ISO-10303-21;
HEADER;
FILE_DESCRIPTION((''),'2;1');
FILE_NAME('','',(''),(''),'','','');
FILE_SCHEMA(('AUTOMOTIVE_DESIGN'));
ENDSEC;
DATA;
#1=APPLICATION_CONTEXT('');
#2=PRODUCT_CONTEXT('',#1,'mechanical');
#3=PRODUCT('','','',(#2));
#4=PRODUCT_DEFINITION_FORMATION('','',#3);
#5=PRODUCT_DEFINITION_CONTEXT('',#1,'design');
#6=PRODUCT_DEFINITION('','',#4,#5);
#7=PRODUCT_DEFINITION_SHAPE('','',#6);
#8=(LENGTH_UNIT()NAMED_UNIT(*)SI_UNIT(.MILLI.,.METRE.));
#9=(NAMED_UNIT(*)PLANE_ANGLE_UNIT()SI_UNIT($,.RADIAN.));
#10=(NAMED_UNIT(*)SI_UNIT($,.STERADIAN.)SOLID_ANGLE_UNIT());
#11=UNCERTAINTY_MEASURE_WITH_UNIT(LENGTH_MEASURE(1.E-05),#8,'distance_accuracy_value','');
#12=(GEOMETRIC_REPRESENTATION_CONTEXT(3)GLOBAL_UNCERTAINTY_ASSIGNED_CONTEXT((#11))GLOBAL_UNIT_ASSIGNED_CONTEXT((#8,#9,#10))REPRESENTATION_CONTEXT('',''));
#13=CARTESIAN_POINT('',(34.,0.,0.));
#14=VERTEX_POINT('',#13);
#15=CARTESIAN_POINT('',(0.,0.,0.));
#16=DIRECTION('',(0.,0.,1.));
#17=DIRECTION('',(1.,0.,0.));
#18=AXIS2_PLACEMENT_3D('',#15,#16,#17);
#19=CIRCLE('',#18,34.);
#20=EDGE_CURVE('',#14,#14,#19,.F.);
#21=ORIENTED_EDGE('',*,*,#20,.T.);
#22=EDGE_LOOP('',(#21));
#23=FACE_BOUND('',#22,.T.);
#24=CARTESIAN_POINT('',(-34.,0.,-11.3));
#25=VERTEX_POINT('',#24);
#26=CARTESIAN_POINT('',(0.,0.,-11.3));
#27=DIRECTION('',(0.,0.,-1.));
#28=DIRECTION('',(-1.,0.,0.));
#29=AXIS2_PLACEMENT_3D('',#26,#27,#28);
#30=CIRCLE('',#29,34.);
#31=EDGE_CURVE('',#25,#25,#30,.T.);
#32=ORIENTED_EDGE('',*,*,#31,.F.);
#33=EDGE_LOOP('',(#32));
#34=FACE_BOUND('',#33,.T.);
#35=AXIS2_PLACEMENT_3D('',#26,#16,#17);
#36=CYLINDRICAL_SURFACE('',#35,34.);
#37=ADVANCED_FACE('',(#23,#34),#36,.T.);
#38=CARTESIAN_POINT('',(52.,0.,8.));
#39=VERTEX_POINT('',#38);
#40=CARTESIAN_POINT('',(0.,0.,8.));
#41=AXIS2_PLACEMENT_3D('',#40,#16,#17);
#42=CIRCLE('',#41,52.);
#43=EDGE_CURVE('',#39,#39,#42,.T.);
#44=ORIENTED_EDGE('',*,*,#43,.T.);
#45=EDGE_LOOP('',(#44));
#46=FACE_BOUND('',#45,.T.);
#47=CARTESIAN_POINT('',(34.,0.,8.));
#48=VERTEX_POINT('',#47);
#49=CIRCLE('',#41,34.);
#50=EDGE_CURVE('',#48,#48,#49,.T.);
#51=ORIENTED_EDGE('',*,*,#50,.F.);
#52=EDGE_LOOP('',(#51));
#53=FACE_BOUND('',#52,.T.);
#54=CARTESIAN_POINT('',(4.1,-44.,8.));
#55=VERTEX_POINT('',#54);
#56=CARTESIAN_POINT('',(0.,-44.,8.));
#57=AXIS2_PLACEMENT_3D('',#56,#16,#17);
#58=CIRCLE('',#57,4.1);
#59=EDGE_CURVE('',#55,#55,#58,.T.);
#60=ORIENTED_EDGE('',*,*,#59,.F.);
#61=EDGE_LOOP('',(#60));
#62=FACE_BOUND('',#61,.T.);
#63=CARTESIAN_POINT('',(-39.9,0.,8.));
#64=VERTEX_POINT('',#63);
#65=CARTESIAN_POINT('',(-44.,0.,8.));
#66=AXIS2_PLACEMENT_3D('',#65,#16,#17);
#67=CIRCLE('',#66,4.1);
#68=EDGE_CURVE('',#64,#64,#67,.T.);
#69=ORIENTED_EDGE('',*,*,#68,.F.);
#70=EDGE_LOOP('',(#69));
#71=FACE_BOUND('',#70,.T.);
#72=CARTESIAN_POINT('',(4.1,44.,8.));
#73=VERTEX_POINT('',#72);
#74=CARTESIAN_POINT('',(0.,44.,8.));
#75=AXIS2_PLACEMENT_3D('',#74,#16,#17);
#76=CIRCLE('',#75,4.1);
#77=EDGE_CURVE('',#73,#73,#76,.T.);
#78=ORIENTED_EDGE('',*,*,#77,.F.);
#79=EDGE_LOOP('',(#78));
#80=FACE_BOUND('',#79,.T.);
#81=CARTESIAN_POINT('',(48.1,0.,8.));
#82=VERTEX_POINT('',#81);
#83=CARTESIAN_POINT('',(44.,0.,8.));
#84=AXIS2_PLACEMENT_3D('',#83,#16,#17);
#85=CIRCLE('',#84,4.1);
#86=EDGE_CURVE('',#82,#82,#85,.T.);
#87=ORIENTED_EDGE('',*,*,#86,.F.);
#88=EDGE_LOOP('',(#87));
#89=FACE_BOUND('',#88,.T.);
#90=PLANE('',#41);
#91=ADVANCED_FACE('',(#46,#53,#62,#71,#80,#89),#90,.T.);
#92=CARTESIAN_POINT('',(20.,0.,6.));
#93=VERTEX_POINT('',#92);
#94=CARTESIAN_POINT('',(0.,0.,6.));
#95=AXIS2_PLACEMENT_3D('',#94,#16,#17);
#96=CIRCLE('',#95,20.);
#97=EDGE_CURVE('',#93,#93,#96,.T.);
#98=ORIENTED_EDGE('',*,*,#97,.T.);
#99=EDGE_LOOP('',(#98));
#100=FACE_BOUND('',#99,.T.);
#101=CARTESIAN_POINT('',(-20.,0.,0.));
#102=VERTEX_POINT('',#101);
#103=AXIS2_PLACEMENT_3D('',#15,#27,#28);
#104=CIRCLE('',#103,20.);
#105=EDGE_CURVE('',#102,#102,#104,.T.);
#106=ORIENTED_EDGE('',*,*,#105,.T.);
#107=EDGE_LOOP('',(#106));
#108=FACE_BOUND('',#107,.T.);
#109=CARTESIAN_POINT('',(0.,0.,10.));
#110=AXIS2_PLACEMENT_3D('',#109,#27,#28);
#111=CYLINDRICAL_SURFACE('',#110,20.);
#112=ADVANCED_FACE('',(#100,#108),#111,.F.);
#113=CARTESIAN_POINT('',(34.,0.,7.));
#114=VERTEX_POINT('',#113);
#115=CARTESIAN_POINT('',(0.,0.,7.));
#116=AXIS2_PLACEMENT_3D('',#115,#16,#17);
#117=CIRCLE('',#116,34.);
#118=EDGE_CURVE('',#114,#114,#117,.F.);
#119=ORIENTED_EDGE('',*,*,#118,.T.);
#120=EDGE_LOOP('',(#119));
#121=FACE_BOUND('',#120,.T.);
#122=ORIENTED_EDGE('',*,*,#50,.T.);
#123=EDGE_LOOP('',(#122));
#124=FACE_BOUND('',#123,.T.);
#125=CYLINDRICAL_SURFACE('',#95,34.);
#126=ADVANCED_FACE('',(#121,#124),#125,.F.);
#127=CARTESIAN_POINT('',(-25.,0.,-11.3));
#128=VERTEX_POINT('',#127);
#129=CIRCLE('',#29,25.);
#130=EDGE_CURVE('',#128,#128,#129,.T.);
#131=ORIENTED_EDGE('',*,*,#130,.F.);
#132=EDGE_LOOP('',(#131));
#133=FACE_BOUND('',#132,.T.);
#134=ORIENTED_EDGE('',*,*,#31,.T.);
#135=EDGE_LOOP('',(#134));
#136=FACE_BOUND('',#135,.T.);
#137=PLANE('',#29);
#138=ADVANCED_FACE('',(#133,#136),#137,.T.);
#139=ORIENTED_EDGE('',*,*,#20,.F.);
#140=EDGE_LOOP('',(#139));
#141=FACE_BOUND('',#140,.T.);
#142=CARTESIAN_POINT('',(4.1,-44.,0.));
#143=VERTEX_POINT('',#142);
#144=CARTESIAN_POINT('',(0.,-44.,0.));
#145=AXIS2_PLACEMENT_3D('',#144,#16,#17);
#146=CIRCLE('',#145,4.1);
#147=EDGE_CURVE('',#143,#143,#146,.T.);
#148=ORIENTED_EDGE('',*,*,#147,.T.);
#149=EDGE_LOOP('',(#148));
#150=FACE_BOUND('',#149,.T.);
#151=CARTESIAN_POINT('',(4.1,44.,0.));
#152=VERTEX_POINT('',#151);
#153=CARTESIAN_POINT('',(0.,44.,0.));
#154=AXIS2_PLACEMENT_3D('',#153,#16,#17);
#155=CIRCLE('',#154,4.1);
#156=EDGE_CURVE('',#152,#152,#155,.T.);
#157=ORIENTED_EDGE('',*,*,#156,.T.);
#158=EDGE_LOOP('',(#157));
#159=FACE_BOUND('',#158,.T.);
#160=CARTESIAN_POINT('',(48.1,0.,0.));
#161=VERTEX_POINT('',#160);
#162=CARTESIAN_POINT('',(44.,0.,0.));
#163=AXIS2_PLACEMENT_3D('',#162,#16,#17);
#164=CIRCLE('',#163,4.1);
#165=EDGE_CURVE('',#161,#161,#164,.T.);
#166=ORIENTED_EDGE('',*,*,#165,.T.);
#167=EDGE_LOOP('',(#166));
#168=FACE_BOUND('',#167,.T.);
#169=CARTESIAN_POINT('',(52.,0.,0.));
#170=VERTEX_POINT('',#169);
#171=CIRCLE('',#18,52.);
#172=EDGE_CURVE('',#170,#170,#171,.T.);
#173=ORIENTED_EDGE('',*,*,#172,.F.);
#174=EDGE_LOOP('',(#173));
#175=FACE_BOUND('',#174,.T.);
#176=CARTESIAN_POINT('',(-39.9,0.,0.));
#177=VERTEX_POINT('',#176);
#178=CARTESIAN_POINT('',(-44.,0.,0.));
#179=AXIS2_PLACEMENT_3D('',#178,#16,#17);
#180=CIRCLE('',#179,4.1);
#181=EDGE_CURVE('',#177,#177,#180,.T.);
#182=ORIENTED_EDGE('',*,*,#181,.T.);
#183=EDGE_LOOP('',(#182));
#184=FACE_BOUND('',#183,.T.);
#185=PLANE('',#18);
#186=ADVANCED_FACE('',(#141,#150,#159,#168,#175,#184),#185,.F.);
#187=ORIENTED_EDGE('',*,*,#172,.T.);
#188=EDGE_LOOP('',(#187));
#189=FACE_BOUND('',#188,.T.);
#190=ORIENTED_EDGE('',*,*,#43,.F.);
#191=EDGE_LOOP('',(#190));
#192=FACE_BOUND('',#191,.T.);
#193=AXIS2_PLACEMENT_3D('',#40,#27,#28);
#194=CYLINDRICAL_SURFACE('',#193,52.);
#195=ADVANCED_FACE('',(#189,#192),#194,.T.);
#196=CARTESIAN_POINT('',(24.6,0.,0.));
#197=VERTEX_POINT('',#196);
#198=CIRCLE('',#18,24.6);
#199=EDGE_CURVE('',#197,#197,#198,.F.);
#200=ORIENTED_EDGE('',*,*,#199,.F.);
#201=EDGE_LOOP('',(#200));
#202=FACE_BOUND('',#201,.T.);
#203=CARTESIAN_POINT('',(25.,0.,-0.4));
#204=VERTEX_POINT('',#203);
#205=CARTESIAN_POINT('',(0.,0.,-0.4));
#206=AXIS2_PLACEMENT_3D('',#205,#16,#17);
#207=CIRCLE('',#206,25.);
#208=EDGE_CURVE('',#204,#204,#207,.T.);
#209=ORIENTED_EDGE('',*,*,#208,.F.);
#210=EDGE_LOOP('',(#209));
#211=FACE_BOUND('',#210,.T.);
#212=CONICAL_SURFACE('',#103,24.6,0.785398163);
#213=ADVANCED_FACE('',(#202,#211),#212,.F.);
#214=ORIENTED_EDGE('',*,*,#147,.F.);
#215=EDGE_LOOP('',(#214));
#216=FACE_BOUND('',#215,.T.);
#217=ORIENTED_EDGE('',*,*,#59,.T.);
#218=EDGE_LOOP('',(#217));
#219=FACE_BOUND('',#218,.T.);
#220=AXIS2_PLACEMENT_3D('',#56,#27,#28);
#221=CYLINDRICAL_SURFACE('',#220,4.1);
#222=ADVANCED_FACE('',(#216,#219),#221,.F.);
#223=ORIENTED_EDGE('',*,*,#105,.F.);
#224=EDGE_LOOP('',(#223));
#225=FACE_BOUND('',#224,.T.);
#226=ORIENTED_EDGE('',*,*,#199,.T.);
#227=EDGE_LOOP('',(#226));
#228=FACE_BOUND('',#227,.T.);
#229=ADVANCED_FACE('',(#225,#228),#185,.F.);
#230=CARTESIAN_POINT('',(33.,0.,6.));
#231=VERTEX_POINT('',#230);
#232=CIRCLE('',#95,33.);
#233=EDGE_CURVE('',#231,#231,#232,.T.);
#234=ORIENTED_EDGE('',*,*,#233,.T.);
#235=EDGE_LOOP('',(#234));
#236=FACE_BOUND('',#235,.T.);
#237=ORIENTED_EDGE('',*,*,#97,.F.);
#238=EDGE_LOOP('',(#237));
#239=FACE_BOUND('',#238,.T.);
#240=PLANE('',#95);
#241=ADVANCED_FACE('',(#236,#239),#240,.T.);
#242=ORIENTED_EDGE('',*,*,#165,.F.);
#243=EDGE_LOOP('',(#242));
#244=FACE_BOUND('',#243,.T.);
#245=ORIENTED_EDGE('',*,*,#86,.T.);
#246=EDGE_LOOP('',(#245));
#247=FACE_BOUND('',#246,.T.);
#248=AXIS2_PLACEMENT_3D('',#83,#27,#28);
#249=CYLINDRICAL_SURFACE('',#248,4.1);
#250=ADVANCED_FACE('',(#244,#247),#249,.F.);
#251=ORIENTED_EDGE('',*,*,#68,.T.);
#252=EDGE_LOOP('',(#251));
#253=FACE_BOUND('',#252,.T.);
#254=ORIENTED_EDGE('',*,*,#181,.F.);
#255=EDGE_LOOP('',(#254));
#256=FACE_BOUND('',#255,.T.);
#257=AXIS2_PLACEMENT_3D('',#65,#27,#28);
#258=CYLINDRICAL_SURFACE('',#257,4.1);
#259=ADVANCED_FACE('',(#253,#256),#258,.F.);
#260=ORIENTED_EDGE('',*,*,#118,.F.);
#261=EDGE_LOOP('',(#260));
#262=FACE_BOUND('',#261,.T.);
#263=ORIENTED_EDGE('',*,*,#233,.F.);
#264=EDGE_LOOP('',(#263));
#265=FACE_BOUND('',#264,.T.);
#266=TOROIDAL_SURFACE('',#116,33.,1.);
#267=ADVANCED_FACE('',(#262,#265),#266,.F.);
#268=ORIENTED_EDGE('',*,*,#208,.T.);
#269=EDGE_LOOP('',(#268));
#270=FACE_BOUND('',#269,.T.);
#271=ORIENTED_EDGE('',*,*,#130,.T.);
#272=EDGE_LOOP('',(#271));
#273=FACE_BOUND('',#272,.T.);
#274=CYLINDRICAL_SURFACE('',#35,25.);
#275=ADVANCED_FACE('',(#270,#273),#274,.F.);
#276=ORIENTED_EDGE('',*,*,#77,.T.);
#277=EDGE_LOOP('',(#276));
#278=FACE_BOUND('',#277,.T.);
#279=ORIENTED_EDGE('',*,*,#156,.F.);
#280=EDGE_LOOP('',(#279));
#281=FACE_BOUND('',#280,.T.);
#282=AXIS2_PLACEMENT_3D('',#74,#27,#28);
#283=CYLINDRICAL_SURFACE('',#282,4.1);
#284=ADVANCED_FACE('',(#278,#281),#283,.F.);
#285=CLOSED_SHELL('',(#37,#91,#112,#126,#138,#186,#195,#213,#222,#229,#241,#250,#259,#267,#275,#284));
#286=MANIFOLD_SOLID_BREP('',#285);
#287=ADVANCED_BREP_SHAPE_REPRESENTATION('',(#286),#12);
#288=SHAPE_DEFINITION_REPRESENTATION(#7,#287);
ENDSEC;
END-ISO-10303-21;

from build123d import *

# Parameters (mm, degrees)
SKETCH_1_R          = 52
SKETCH_1_R_2        = 4.1
EXTRUDE_1_DEPTH     = 8
SKETCH_2_R          = 34
CUT_EXTRUDE_1_DEPTH = 2
FILLET_1_R          = 1
SKETCH_3_R          = 34
SKETCH_3_R_2        = 25
EXTRUDE_2_DEPTH     = 11.3
CHAMFER_1_SIZE      = 0.4
SKETCH_4_R          = 20
CUT_EXTRUDE_2_DEPTH = 10


with BuildPart() as part:
    # Эскиз1 → Бобышка-Вытянуть1 (new body)
    with BuildSketch(Plane.XY):
        Circle(SKETCH_1_R)
        with Locations((0, 44)):
            Circle(SKETCH_1_R_2, mode=Mode.SUBTRACT)
        with Locations((44, 0)):
            Circle(SKETCH_1_R_2, mode=Mode.SUBTRACT)
        with Locations((0, -44)):
            Circle(SKETCH_1_R_2, mode=Mode.SUBTRACT)
        with Locations((-44, 0)):
            Circle(SKETCH_1_R_2, mode=Mode.SUBTRACT)
    extrude(amount=EXTRUDE_1_DEPTH)

    # Эскиз2 → Вырез-Вытянуть1 (cut)
    with BuildSketch(Plane.XY.offset(8)):
        Circle(SKETCH_2_R)
    extrude(amount=-CUT_EXTRUDE_1_DEPTH, mode=Mode.SUBTRACT)

    # Скругление1
    fillet_1_edges = [part.edges().sort_by_distance(p)[0] for p in [
        (-34, 0, 6),
    ]]
    fillet(fillet_1_edges, radius=FILLET_1_R)

    # Эскиз3 → Бобышка-Вытянуть2 (add)
    with BuildSketch(Plane(origin=(0, 0, 0), x_dir=(-1, 0, 0), z_dir=(0, 0, -1))):
        with Locations(Location((0, 0, 0), (0, 0, 180))):
            Circle(SKETCH_3_R)
        Circle(SKETCH_3_R_2, mode=Mode.SUBTRACT)
    extrude(amount=EXTRUDE_2_DEPTH)

    # Фаска1
    chamfer_1_edges = [part.edges().sort_by_distance(p)[0] for p in [
        (25, 0, 0),
    ]]
    chamfer(chamfer_1_edges, length=CHAMFER_1_SIZE)

    # Эскиз4 → Вырез-Вытянуть2 (cut)
    with BuildSketch(Plane(origin=(0, 0, 0), x_dir=(-1, 0, 0), z_dir=(0, 0, -1))):
        Circle(SKETCH_4_R)
    extrude(amount=-CUT_EXTRUDE_2_DEPTH, mode=Mode.SUBTRACT)


solid = part.part
